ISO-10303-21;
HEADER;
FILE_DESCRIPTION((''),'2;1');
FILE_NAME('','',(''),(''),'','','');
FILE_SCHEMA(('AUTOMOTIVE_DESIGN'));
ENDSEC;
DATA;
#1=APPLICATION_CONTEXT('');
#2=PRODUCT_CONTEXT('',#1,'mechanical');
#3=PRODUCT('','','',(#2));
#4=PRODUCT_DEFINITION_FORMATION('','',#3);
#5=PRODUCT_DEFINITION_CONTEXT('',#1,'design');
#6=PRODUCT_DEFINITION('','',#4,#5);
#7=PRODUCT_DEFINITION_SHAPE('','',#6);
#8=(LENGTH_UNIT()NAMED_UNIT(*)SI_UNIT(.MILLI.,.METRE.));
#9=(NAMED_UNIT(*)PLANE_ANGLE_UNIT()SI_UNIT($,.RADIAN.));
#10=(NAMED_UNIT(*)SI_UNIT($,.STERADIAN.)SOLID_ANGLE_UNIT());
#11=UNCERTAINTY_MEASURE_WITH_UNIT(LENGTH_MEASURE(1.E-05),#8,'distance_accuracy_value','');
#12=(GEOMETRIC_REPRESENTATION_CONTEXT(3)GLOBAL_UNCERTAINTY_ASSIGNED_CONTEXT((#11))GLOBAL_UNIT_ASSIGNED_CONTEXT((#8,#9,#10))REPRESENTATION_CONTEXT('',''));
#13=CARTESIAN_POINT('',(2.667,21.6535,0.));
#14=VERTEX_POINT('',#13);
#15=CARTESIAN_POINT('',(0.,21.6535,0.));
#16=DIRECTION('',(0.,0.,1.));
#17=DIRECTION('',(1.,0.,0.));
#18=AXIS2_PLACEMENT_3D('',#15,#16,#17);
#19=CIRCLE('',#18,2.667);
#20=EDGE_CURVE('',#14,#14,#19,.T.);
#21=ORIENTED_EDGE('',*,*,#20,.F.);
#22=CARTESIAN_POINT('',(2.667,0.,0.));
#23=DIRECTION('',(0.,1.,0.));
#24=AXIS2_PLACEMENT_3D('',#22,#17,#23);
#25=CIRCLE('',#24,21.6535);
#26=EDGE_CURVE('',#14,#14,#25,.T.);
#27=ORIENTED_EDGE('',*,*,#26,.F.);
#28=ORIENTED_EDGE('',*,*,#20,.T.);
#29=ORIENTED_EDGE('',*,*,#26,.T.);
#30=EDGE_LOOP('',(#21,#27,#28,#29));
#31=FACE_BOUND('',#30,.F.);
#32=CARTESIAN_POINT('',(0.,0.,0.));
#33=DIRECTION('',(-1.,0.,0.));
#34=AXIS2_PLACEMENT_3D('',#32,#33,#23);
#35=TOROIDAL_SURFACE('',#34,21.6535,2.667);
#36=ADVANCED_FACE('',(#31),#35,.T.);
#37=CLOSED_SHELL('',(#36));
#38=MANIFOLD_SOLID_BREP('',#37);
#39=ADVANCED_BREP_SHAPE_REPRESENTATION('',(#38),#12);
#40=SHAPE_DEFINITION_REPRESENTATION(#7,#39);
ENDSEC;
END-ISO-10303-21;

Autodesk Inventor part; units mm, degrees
ref_plane "YZ Plane" through (0, 0, 0) normal (1, 0, 0) x (0, 1, 0)
ref_plane "XZ Plane" through (0, 0, 0) normal (0, 1, 0) x (-1, 0, 0)
ref_plane "XY Plane" through (0, 0, 0) normal (0, 0, 1) x (1, 0, 0)
sketch "Sketch1" plane through (0, 0, 0) normal (0, 0, 1) x (1, 0, 0)
  circle A0 centre (0, 21.6535) radius 2.667
  circle A1 centre (0, -21.6535) radius 2.667
  line L0 (0, 21.6535) -> (0, -21.6535) construction
  line L1 (0, 0) -> (7.6932, 0) construction
  dimension "d0" = 5.334
  dimension "d1" = 5.334
  dimension "d2" = 43.307
revolve "Revolution1" add sketch "Sketch1" angle 360 about axis through (0, 0, 0) along (1, 0, 0) contours A0
properties part number "O-ring"
